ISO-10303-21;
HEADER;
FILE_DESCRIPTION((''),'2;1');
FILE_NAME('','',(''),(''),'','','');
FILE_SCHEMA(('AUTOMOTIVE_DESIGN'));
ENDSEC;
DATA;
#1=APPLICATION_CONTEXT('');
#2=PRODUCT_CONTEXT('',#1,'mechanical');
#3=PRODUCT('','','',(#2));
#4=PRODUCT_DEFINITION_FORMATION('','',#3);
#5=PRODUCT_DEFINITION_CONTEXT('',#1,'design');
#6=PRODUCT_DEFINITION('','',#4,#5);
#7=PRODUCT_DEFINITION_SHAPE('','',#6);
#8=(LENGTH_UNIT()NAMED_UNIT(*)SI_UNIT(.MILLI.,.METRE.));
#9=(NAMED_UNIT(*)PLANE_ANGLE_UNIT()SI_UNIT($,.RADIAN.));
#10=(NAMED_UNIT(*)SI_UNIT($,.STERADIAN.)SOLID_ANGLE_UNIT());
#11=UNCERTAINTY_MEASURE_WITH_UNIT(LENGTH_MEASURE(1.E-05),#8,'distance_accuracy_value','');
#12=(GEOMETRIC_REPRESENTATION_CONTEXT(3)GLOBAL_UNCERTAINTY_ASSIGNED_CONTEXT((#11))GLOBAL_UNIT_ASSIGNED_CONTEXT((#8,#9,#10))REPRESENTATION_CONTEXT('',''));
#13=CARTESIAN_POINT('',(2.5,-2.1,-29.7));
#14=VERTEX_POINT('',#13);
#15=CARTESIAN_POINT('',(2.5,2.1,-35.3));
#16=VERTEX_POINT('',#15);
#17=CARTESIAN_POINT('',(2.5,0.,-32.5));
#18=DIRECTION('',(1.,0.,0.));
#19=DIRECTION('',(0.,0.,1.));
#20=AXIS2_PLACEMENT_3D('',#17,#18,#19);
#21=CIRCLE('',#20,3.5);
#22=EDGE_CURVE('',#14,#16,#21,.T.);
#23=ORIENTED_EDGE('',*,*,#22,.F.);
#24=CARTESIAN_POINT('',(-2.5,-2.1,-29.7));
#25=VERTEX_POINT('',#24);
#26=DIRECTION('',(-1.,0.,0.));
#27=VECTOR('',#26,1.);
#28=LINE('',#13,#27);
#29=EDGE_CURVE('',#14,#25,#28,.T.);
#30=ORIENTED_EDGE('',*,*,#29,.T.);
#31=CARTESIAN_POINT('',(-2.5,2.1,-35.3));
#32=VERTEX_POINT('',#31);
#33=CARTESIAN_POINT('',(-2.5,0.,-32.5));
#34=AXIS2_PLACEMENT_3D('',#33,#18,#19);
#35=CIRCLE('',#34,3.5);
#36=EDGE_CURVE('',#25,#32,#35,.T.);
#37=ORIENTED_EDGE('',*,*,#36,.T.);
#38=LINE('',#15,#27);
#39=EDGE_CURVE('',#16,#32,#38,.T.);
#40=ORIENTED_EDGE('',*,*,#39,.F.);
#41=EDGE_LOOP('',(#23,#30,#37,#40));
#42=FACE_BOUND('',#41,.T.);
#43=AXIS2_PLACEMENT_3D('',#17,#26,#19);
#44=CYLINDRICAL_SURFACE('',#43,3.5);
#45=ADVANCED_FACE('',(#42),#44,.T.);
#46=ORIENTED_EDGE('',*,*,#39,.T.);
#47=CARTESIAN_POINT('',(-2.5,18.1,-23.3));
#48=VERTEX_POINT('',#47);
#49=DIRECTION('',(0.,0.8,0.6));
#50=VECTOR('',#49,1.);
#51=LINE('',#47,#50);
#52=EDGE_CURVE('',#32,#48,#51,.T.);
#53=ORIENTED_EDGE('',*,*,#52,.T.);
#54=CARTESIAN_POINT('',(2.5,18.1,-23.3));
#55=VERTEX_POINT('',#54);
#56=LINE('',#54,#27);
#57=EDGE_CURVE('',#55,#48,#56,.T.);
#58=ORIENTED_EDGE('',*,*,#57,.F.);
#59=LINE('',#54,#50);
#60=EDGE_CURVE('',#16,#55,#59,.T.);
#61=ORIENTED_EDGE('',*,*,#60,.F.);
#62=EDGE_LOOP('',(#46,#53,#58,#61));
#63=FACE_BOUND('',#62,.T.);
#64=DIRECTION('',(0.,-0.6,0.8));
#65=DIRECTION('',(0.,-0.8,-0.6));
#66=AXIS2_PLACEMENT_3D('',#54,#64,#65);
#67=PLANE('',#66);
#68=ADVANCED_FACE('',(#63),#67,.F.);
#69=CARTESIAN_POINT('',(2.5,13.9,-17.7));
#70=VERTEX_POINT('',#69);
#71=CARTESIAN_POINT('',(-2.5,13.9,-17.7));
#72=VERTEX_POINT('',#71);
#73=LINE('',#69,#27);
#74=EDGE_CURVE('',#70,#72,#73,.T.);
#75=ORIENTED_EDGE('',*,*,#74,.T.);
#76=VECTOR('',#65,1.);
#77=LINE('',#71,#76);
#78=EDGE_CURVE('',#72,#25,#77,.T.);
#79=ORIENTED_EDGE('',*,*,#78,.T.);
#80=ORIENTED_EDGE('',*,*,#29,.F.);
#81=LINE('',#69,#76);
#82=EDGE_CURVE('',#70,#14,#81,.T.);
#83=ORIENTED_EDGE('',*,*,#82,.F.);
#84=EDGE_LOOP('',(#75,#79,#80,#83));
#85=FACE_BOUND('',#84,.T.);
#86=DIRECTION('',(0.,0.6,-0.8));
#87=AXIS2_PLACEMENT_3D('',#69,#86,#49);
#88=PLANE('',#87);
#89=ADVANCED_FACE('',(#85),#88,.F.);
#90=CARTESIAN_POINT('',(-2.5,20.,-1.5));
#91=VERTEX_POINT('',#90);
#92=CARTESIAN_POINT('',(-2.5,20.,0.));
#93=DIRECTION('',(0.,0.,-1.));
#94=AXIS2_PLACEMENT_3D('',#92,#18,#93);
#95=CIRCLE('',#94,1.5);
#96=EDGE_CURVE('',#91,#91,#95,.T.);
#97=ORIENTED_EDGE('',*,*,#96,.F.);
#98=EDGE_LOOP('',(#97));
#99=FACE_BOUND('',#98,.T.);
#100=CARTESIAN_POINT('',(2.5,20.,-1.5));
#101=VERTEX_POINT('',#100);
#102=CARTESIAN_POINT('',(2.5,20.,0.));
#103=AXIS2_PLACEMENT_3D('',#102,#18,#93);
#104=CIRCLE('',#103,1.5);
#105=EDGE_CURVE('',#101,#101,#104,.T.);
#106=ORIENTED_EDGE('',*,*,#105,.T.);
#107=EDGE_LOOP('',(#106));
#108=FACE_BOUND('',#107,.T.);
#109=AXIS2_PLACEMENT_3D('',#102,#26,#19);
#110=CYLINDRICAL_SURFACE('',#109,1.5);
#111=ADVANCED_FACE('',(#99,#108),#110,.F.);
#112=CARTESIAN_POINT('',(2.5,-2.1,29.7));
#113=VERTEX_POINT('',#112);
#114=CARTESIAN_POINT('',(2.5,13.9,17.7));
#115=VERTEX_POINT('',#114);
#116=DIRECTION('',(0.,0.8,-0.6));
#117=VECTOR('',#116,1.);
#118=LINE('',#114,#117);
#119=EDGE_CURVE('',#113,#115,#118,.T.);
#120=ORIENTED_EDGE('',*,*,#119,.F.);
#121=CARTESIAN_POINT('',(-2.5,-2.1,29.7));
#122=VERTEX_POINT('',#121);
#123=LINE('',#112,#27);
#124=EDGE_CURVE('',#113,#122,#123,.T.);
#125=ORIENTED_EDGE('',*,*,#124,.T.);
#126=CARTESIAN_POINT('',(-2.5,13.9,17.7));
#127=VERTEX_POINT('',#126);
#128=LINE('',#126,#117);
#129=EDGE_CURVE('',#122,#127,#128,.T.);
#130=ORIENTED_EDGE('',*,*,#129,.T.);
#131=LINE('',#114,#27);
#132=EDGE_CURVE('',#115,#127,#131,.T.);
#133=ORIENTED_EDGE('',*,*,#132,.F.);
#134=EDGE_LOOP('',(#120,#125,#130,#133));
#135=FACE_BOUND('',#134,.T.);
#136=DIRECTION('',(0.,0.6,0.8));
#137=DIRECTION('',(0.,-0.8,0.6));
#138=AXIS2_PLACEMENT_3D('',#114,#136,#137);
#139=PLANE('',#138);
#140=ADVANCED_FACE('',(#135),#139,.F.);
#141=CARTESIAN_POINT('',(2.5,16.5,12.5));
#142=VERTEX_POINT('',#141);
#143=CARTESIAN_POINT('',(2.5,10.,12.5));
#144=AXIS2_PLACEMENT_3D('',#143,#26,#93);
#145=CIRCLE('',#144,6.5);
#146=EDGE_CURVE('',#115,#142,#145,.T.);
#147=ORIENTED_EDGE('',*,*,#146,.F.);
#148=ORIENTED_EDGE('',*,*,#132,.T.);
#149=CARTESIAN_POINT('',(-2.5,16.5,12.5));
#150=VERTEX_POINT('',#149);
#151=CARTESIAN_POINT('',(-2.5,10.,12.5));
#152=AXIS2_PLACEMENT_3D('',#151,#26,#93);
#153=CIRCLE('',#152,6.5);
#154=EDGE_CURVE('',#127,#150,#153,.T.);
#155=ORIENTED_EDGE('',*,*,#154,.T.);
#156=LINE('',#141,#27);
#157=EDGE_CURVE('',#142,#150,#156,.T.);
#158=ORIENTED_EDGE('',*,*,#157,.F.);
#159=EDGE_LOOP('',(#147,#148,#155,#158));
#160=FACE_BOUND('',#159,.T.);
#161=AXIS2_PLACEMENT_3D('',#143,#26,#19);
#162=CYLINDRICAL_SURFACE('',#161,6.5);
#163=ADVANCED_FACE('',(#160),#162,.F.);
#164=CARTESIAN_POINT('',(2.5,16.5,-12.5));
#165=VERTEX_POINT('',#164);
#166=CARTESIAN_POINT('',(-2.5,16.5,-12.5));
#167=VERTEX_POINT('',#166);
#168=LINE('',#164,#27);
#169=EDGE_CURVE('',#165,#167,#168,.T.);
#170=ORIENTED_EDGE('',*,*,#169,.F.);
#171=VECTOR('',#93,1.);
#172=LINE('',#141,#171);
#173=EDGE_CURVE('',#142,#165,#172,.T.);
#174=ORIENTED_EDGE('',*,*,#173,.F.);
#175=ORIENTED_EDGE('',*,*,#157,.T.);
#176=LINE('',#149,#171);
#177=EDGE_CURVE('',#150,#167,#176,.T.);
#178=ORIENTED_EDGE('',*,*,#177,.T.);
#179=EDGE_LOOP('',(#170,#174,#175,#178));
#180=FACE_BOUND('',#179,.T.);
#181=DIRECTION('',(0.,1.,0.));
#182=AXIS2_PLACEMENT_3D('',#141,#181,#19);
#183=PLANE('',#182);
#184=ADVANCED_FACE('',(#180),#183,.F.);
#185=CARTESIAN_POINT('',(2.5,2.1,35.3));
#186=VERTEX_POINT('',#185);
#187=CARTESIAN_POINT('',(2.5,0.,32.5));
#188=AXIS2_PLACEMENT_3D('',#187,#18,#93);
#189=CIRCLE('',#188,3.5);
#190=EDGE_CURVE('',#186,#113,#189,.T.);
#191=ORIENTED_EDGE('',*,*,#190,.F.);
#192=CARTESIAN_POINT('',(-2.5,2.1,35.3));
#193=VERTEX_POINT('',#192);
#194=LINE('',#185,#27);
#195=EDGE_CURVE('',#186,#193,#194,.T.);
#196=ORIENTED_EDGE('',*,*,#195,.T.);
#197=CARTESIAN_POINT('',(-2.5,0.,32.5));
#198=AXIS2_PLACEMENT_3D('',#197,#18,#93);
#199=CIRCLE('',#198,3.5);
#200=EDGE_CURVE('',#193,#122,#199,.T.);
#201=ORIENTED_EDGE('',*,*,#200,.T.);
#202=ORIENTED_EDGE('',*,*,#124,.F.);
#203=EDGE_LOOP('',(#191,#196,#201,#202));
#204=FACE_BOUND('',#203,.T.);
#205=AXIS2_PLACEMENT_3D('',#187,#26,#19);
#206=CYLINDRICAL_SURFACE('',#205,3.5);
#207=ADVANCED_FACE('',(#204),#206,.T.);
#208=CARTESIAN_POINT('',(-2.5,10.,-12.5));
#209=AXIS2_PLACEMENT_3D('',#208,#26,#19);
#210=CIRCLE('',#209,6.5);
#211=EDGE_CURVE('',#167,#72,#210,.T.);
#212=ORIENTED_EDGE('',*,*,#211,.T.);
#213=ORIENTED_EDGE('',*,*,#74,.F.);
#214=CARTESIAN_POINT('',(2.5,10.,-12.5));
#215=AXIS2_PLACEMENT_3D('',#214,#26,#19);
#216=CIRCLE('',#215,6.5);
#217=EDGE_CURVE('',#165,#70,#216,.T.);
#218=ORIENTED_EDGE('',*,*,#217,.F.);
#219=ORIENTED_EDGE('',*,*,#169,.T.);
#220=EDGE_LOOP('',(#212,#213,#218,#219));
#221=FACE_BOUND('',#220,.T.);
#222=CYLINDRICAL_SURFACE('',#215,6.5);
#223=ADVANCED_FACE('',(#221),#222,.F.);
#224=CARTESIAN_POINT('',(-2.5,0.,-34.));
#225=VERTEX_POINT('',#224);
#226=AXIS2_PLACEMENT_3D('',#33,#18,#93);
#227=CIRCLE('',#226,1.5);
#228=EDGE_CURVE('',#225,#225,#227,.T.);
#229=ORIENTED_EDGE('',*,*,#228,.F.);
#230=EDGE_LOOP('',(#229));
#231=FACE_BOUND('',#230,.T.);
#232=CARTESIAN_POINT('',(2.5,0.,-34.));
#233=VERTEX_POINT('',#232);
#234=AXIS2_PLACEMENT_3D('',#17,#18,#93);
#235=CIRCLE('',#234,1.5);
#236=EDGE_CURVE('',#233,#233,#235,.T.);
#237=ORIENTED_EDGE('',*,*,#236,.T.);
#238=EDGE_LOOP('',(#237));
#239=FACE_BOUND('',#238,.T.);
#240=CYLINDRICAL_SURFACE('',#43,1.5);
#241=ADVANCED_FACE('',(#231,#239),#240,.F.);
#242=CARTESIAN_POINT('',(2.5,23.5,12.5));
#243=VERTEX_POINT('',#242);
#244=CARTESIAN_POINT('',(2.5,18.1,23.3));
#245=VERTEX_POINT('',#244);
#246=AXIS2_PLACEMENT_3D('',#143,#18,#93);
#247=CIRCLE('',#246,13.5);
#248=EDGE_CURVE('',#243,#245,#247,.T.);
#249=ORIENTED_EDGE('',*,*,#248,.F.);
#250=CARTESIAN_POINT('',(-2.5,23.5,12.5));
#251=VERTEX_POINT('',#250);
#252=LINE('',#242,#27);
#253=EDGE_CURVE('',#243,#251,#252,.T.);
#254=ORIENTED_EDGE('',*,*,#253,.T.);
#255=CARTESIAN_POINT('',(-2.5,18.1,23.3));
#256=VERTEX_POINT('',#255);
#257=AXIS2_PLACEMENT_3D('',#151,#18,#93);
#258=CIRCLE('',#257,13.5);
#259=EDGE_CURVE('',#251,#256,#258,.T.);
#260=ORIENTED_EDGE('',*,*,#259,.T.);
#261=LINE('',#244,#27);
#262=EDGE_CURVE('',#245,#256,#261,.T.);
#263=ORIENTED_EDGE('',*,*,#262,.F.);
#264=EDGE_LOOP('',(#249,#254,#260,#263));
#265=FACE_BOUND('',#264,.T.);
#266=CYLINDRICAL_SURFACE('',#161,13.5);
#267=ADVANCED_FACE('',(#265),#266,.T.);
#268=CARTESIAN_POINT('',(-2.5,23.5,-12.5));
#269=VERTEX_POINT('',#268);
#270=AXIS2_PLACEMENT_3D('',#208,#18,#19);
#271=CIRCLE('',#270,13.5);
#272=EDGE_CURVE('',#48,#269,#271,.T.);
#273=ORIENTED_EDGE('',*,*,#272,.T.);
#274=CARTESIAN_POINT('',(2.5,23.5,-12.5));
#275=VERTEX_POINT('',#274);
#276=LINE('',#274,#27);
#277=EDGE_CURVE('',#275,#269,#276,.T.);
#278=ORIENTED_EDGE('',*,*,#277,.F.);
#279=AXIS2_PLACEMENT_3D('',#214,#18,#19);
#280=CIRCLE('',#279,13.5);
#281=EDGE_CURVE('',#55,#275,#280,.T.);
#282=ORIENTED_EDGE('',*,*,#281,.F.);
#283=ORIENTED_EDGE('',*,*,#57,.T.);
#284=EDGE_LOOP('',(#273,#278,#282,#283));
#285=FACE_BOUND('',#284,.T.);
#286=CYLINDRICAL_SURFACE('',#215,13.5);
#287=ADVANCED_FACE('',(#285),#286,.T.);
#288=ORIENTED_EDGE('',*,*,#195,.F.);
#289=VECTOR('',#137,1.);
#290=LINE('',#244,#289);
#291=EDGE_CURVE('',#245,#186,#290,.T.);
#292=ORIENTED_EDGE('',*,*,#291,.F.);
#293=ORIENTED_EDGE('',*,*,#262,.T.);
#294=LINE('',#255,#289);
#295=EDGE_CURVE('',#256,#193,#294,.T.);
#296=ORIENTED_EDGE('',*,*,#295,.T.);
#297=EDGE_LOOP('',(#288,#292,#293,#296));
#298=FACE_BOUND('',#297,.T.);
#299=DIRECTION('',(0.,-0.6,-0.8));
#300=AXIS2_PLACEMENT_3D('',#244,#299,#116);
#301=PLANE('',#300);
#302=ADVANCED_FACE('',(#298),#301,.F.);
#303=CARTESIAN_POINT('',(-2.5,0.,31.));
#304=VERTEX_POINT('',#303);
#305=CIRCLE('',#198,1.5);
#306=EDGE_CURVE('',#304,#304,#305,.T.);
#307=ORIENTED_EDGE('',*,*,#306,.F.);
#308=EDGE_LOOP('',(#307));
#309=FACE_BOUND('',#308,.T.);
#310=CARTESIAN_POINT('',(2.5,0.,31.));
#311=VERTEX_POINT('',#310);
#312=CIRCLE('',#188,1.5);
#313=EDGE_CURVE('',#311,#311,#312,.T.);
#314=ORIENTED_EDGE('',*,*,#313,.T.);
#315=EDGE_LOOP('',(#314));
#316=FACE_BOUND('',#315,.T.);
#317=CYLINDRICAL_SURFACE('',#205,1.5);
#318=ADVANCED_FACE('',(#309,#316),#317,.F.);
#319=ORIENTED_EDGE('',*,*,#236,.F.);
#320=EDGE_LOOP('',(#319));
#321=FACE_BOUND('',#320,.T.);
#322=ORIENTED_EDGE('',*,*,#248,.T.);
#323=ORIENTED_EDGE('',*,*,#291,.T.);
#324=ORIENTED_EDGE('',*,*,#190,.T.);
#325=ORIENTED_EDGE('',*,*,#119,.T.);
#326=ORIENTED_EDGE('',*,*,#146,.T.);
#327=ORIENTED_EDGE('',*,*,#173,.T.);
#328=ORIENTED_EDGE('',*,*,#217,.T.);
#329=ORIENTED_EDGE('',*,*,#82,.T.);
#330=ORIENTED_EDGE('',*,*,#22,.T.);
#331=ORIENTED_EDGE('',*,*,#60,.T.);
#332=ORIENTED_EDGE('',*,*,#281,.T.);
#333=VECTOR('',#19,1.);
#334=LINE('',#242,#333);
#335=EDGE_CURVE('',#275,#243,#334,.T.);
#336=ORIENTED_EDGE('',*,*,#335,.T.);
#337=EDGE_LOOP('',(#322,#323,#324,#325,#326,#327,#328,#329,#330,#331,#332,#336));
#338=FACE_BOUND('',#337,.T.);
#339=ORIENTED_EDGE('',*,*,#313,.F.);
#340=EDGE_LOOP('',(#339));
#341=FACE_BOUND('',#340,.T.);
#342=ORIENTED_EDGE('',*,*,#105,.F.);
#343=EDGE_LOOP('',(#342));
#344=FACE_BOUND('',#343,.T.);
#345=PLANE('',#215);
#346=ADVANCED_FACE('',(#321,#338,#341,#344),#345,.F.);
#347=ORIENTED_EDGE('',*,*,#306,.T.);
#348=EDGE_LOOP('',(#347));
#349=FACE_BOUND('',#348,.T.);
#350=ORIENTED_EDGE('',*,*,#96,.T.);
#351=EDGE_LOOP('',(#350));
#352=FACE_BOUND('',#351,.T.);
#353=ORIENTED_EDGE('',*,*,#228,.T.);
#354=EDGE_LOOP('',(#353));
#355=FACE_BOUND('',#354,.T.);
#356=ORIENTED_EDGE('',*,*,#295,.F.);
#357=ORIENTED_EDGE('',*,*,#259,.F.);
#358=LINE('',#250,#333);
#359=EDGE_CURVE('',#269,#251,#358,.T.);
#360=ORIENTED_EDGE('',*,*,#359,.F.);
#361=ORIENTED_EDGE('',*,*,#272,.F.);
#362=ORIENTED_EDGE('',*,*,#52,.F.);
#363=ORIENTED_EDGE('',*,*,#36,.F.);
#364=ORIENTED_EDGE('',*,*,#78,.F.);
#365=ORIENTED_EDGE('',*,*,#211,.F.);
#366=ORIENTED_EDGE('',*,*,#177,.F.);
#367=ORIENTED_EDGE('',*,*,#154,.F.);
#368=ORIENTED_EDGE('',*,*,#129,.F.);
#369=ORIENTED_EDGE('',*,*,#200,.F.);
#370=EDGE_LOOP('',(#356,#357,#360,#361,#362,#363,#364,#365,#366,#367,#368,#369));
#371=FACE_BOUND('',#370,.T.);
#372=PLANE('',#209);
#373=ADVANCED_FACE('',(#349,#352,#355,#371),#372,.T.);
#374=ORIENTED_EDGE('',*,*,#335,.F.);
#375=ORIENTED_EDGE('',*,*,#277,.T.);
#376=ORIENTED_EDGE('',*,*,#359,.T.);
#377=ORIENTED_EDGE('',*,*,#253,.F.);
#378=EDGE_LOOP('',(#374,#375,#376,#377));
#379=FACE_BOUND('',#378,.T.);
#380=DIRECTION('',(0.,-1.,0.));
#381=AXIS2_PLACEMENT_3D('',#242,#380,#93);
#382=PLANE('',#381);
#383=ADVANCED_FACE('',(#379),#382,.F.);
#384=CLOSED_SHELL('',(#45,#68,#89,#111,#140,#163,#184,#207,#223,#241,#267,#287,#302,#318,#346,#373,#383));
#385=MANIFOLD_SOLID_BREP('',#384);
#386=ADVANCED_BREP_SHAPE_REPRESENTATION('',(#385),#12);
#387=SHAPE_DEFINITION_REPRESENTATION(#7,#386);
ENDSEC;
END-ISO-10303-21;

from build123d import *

# Parameters (mm, degrees)
SKETCH1_R           = 1.5
BOSS_EXTRUDE1_DEPTH = 2.5


with BuildPart() as part:
    # Sketch1 → Boss-Extrude1 (new body, symmetric)
    with BuildSketch(Plane(origin=(0, 0, 0), x_dir=(0, 0, -1), z_dir=(1, 0, 0))):
        with BuildLine():
            Line((23.3, 18.1), (35.3, 2.1))
            ThreePointArc((35.3, 2.1), (34.6, -2.8), (29.7, -2.1))
            Line((29.7, -2.1), (17.7, 13.9))
            ThreePointArc((17.7, 13.9), (15.406888371, 15.813776741), (12.5, 16.5))
            Line((12.5, 16.5), (-12.5, 16.5))
            ThreePointArc((-12.5, 16.5), (-15.406888371, 15.813776741), (-17.7, 13.9))
            Line((-17.7, 13.9), (-29.7, -2.1))
            ThreePointArc((-29.7, -2.1), (-34.6, -2.8), (-35.3, 2.1))
            Line((-35.3, 2.1), (-23.3, 18.1))
            ThreePointArc((-23.3, 18.1), (-18.537383539, 22.074767078), (-12.5, 23.5))
            Line((-12.5, 23.5), (12.5, 23.5))
            ThreePointArc((12.5, 23.5), (18.537383539, 22.074767078), (23.3, 18.1))
        make_face()
        with Locations((-32.5, 0)):
            Circle(SKETCH1_R, mode=Mode.SUBTRACT)
        with Locations((32.5, 0)):
            Circle(SKETCH1_R, mode=Mode.SUBTRACT)
        with Locations((0, 20)):
            Circle(SKETCH1_R, mode=Mode.SUBTRACT)
    extrude(amount=BOSS_EXTRUDE1_DEPTH, both=True)


solid = part.part
